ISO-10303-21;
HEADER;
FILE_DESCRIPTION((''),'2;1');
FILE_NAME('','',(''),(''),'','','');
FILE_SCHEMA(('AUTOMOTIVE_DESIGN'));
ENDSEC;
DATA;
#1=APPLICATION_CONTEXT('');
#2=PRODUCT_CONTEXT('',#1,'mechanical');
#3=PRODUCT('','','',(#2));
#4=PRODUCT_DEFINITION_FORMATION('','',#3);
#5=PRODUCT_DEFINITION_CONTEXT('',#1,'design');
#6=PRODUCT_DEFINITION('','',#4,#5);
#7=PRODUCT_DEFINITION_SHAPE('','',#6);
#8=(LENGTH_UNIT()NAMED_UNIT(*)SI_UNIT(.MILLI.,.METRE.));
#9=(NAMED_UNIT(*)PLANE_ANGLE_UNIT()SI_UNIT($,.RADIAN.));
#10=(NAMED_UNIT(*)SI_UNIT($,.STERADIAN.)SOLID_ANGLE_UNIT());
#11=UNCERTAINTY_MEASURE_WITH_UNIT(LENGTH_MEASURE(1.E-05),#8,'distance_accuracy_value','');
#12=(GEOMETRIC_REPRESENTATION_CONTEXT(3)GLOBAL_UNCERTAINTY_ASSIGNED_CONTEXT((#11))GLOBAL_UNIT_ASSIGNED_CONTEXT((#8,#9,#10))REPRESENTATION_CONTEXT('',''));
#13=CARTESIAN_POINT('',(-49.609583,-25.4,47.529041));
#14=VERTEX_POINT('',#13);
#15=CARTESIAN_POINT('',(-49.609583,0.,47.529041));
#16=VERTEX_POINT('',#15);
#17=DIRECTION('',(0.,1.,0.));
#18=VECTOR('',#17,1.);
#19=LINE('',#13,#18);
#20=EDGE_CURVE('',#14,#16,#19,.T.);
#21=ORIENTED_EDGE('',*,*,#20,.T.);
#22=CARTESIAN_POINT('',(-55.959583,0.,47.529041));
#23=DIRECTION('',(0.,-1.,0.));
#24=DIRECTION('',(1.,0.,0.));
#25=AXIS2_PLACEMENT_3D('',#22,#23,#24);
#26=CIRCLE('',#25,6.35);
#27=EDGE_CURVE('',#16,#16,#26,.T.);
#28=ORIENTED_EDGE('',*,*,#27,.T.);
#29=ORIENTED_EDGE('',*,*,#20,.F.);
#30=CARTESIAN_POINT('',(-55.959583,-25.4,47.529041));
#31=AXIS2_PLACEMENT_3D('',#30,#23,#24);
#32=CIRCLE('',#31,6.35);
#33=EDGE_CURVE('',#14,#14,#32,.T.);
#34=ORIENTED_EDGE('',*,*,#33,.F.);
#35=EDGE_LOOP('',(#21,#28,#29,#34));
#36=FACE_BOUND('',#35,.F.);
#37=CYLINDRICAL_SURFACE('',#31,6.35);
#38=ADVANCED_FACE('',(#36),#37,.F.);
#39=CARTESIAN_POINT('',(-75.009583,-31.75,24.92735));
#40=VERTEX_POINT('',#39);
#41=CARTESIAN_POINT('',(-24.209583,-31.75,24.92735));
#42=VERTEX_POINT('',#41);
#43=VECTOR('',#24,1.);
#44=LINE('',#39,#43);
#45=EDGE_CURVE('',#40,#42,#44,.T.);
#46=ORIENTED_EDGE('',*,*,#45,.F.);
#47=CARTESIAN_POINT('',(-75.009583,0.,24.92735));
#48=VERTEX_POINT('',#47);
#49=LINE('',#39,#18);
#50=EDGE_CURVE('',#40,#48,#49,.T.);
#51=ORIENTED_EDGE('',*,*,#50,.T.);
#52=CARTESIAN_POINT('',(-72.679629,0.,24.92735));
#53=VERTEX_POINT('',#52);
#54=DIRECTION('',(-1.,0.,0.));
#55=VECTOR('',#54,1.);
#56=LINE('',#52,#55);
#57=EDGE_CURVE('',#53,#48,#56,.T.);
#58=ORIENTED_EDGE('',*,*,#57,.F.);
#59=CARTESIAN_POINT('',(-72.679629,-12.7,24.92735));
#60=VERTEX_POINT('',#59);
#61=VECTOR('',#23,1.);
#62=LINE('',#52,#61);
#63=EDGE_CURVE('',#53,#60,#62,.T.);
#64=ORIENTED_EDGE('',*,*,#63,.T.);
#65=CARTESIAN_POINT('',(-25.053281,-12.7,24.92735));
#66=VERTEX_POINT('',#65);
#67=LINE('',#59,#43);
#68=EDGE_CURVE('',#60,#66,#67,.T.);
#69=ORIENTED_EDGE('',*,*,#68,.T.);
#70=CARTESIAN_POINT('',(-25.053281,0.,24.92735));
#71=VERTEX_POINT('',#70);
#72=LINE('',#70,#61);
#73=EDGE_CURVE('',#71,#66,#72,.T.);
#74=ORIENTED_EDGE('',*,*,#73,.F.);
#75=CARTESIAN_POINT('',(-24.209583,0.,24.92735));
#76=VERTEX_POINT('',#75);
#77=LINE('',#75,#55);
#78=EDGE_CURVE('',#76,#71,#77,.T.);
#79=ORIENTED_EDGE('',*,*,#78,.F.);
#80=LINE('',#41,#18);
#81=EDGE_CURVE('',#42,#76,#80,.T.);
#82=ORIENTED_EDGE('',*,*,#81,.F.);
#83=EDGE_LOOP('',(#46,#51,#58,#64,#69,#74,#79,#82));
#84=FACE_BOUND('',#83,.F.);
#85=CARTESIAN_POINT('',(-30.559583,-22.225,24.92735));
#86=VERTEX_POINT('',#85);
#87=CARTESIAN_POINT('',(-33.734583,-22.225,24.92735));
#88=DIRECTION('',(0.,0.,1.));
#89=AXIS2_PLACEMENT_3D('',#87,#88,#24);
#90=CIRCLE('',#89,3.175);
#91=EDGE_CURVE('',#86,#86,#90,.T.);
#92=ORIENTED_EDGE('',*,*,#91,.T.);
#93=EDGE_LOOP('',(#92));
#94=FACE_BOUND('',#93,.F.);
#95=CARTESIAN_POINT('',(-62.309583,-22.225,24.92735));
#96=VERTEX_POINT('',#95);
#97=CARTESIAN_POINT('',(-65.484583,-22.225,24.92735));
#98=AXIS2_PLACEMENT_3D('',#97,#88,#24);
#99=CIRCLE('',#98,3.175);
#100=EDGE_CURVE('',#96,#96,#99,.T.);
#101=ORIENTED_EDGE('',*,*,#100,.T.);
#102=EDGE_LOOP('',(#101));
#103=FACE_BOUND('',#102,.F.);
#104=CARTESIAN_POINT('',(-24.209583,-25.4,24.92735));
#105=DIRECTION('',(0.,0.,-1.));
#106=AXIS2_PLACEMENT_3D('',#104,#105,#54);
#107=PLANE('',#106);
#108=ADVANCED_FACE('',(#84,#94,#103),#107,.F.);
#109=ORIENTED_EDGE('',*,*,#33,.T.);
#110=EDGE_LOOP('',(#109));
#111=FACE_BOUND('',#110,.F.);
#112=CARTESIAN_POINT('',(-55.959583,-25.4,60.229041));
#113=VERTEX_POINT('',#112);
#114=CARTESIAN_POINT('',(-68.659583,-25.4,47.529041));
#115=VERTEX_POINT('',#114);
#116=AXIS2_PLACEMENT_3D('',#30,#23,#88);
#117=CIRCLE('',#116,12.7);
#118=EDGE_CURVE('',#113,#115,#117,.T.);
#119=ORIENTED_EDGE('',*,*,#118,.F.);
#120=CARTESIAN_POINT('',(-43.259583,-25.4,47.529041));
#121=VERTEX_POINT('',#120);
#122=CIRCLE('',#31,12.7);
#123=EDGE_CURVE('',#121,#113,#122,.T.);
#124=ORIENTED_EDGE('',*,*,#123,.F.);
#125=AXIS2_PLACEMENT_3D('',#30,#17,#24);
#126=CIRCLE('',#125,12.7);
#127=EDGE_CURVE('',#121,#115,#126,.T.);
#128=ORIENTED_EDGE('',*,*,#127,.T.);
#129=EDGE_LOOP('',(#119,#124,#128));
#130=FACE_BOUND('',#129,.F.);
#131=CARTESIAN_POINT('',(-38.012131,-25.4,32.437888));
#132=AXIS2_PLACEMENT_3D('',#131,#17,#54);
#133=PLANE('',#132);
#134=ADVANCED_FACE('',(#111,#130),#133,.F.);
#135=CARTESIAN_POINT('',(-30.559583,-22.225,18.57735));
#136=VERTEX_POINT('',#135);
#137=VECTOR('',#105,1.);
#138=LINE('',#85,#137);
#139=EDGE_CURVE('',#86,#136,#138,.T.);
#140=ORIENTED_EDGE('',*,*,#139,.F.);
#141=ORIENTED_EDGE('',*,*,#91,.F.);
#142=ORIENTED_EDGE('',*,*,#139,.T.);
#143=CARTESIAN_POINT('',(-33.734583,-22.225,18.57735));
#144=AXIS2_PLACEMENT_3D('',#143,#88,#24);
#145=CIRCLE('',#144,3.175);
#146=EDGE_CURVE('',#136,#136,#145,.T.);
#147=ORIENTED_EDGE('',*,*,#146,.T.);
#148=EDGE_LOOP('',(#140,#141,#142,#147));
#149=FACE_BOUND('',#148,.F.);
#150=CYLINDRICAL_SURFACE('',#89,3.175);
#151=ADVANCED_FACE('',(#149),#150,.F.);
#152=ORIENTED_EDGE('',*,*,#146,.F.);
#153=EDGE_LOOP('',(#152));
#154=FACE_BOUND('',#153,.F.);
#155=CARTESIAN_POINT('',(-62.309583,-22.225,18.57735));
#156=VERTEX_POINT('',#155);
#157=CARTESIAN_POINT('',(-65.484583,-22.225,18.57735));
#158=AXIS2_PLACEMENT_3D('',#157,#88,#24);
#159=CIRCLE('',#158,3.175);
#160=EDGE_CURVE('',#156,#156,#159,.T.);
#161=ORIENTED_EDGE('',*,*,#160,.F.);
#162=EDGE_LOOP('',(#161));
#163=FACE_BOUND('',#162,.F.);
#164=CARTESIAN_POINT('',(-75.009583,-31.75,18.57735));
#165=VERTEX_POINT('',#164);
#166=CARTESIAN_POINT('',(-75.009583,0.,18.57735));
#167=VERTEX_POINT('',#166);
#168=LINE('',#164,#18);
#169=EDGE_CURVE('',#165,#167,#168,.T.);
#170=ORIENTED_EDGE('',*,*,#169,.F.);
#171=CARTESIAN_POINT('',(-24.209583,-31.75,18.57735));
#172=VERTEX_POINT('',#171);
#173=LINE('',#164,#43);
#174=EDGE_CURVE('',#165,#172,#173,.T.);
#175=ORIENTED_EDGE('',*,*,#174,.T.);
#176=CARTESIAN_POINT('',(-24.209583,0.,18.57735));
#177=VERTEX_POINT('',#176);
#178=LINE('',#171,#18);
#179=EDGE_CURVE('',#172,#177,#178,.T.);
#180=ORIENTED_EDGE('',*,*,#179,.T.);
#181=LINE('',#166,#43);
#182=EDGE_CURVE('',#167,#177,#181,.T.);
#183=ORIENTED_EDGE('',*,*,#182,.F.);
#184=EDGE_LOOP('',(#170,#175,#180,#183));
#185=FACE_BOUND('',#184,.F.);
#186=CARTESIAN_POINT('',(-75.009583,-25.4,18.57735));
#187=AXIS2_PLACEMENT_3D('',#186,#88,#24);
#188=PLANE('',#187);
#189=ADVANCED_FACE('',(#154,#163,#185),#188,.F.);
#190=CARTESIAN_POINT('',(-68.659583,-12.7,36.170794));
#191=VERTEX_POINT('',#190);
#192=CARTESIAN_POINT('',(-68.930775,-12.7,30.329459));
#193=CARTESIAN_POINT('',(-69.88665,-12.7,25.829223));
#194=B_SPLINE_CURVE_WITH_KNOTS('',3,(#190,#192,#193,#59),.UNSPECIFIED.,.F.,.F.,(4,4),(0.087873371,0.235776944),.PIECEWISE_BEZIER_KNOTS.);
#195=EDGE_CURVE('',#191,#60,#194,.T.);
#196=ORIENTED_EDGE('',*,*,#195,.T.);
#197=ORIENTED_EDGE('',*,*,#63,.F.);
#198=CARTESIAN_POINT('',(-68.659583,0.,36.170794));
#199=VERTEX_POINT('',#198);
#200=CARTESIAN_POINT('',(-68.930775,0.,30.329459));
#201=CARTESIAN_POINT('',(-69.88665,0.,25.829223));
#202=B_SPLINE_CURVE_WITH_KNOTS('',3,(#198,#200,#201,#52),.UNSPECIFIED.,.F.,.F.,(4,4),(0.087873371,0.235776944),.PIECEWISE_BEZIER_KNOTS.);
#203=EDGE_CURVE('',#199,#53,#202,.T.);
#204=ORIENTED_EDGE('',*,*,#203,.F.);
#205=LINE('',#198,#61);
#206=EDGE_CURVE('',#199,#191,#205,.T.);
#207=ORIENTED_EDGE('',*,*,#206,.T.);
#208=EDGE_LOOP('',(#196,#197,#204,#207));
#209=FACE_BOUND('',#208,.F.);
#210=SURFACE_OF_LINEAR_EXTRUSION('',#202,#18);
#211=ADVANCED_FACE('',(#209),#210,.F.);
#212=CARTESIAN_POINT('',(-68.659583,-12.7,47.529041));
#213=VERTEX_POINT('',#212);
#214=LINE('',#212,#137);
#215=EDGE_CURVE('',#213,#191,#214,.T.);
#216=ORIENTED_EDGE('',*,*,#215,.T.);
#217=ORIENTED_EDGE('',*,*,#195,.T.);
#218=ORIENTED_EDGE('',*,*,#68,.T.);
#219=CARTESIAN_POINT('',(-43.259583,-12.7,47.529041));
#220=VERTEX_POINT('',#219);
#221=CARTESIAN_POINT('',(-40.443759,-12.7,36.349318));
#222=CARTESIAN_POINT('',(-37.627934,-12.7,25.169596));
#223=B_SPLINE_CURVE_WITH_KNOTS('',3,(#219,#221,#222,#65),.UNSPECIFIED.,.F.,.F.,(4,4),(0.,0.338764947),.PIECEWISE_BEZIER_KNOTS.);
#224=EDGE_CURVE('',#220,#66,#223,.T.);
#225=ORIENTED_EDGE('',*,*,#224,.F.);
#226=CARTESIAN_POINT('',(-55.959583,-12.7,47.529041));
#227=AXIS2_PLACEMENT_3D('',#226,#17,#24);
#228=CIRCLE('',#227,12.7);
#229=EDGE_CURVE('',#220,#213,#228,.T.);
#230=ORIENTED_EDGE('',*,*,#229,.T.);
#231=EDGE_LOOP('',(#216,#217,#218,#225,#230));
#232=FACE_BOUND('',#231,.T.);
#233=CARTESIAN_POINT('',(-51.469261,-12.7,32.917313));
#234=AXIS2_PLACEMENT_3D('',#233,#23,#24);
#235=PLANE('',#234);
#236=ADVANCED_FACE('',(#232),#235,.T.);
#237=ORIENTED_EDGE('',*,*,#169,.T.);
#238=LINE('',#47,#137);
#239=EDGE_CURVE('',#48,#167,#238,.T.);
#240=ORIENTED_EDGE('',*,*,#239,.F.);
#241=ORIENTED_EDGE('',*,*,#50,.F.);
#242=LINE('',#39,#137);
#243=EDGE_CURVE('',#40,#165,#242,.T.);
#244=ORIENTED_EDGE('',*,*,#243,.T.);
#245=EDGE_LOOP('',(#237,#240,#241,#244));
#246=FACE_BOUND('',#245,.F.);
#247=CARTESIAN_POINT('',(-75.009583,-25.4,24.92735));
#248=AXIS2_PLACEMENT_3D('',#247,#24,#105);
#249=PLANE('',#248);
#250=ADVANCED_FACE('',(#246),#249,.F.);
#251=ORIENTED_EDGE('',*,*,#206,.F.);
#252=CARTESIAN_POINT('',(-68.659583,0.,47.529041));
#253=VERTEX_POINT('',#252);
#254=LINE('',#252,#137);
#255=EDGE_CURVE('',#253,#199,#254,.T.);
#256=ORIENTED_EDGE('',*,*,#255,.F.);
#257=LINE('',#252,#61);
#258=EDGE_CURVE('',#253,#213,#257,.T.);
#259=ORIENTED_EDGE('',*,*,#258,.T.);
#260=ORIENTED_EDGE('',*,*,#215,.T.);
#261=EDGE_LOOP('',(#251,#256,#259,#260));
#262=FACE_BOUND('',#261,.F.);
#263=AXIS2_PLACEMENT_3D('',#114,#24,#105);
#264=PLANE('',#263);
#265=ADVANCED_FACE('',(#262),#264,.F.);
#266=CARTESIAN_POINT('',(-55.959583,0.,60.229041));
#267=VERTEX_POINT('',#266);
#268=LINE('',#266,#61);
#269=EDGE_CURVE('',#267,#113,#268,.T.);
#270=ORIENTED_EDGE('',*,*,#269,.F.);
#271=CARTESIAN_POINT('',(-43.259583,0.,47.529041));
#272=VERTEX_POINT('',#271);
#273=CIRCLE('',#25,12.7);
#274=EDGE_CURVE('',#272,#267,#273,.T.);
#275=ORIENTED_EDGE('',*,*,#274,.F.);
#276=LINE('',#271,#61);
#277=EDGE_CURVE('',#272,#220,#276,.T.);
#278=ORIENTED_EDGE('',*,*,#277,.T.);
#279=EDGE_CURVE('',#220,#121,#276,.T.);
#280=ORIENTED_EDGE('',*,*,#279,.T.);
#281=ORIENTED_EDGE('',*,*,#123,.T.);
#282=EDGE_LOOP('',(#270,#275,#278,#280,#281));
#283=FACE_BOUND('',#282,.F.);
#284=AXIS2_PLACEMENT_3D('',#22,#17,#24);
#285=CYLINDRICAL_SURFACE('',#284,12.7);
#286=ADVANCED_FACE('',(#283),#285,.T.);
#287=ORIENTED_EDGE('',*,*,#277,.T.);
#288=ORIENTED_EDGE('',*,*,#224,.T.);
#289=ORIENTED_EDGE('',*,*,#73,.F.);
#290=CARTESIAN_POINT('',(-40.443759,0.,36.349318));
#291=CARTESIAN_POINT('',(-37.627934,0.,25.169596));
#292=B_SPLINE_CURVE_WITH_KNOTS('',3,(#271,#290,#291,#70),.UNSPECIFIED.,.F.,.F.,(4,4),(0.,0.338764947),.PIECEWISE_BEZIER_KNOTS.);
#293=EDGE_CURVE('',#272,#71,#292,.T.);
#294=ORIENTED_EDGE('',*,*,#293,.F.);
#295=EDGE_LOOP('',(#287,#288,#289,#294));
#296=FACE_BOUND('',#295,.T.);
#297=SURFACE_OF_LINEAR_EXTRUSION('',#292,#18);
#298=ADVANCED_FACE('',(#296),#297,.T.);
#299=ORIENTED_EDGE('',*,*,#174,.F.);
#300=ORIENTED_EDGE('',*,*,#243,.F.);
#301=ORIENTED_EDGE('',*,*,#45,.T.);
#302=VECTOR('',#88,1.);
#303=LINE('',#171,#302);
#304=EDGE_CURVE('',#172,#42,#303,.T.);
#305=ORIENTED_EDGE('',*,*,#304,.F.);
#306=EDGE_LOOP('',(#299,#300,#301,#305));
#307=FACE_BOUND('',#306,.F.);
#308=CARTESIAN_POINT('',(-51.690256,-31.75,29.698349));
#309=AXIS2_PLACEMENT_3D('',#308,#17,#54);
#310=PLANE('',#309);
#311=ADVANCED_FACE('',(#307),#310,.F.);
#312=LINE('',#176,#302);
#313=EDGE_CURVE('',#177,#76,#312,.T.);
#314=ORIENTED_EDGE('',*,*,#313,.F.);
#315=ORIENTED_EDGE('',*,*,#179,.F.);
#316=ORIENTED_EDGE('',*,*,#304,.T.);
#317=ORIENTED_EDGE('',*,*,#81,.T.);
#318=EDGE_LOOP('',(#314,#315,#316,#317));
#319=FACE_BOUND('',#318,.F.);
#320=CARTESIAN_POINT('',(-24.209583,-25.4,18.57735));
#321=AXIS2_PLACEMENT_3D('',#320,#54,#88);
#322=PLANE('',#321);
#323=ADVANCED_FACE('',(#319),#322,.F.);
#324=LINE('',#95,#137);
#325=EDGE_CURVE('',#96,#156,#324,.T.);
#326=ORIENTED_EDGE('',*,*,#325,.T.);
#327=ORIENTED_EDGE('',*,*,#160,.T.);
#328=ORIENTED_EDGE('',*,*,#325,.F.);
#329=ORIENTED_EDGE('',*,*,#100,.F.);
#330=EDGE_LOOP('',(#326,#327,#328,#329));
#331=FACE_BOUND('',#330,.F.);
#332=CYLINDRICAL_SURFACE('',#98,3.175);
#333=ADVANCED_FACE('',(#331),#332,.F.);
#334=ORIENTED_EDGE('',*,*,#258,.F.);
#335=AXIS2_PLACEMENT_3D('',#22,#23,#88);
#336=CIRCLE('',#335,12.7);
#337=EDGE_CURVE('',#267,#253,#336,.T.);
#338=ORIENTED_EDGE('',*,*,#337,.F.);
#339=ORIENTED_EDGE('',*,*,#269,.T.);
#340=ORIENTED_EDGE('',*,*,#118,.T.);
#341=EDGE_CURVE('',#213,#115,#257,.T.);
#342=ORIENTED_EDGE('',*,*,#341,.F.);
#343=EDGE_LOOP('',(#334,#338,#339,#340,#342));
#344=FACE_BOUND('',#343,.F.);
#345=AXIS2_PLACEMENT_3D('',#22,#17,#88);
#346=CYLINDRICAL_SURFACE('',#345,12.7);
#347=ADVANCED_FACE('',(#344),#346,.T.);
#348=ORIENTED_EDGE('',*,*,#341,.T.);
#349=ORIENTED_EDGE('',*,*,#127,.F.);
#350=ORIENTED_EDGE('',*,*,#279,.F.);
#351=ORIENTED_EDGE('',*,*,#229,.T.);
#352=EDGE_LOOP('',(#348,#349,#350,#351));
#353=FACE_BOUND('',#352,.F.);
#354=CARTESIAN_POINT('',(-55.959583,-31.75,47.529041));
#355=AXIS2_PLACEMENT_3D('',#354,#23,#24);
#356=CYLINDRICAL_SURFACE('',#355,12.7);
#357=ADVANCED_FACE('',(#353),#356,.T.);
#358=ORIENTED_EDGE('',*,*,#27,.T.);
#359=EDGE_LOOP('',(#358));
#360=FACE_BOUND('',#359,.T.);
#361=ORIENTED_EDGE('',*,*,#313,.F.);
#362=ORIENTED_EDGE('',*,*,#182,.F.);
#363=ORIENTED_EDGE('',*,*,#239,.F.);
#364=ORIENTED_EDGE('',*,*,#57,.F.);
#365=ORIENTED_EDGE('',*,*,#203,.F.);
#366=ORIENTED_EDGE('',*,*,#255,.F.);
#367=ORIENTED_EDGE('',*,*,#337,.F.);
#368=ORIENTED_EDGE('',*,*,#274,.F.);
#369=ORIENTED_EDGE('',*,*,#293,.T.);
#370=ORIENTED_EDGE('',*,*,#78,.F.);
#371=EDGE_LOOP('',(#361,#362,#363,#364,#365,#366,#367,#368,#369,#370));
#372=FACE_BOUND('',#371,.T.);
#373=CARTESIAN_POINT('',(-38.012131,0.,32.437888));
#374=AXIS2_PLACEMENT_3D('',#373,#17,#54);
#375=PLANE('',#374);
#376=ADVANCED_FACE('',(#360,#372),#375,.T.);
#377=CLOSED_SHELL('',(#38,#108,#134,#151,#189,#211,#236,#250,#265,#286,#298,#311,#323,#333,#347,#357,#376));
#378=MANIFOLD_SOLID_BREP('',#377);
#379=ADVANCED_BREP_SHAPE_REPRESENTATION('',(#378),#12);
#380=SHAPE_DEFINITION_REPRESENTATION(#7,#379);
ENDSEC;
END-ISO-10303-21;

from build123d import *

# Parameters (mm, degrees)
F1_DEPTH = 25.4
F3_DEPTH = 6.35
F5_DEPTH = 19.05
F6_R     = 6.35
F7_DEPTH = 25.4010001
F8_R     = 3.175
F9_DEPTH = 6.3510001


with BuildPart() as f1:
    # F0 (on Front) → F1 (new body)
    with BuildSketch(Plane.XZ):
        with BuildLine():
            add(Edge.make_bspline(
                [(-43.2595827852, 47.5290406017), (-40.4437585235, 36.3493184584), (-37.6279342618, 25.1695963151), (-25.0532810608, 24.9273501791)],
                knots=[0, 0, 0, 0, 0.3387649469, 0.3387649469, 0.3387649469, 0.3387649469], degree=3))
            Line((-43.2595827852, 47.5290406017), (-43.2595827852, 24.9273501791))
            Line((-43.2595827852, 24.9273501791), (-25.0532810608, 24.9273501791))
        make_face()
        with BuildLine():
            Line((-24.2095827852, 24.9273501791), (-25.0532810608, 24.9273501791))
            add(Edge.make_bspline(
                [(-25.0532810608, 24.9273501791), (-24.776800624, 24.9220238837), (-24.495602442, 24.9219851311), (-24.2095827852, 24.9273501791)],
                knots=[0.3387649469, 0.3387649469, 0.3387649469, 0.3387649469, 0.3462134132, 0.3462134132, 0.3462134132, 0.3462134132], degree=3))
        make_face()
        with BuildLine():
            add(Edge.make_bspline(
                [(-72.6796290961, 24.9273501791), (-73.3463645358, 24.7120564737), (-74.1177900306, 24.7018207484), (-75.0095827852, 24.9273501791)],
                knots=[0.2357769442, 0.2357769442, 0.2357769442, 0.2357769442, 0.2710842466, 0.2710842466, 0.2710842466, 0.2710842466], degree=3))
            Line((-72.6796290961, 24.9273501791), (-75.0095827852, 24.9273501791))
        make_face()
        with BuildLine():
            Line((-68.6595827852, 24.9273501791), (-68.6595827852, 36.1707942024))
            add(Edge.make_bspline(
                [(-68.6595827852, 36.1707942024), (-68.9307748645, 30.329459196), (-69.8866500944, 25.8292233399), (-72.6796290961, 24.9273501791)],
                knots=[0.0878733709, 0.0878733709, 0.0878733709, 0.0878733709, 0.2357769442, 0.2357769442, 0.2357769442, 0.2357769442], degree=3))
            Line((-72.6796290961, 24.9273501791), (-68.6595827852, 24.9273501791))
        make_face()
        with BuildLine():
            ThreePointArc((-68.6490277589, 47.0113667108), (-68.6569437544, 47.2701498593), (-68.6595827852, 47.5290406017))
            Line((-68.6595827852, 47.5290406017), (-68.6595827852, 36.1707942024))
            add(Edge.make_bspline(
                [(-68.6490277589, 47.0113667108), (-68.5724341976, 43.2409261553), (-68.5055106798, 39.4894264591), (-68.6595827852, 36.1707942024)],
                knots=[0.0038450504, 0.0038450504, 0.0038450504, 0.0038450504, 0.0878733709, 0.0878733709, 0.0878733709, 0.0878733709], degree=3))
        make_face()
        with BuildLine():
            add(Edge.make_bspline(
                [(-68.6595827852, 47.5290406017), (-68.6560576938, 47.356469418), (-68.6525326024, 47.1838982344), (-68.6490277589, 47.0113667108)],
                knots=[0, 0, 0, 0, 0.0038450504, 0.0038450504, 0.0038450504, 0.0038450504], degree=3))
            ThreePointArc((-68.6595827852, 47.5290406017), (-68.6569437544, 47.2701498593), (-68.6490277589, 47.0113667108))
        make_face()
        with BuildLine():
            Line((-43.2595827852, 24.9273501791), (-43.2595827852, 47.5290406017))
            ThreePointArc((-43.2595827852, 47.5290406017), (-55.7006920428, 34.8316796324), (-68.6490277589, 47.0113667108))
            add(Edge.make_bspline(
                [(-68.6490277589, 47.0113667108), (-68.5724341976, 43.2409261553), (-68.5055106798, 39.4894264591), (-68.6595827852, 36.1707942024)],
                knots=[0.0038450504, 0.0038450504, 0.0038450504, 0.0038450504, 0.0878733709, 0.0878733709, 0.0878733709, 0.0878733709], degree=3))
            Line((-68.6595827852, 36.1707942024), (-68.6595827852, 24.9273501791))
            Line((-68.6595827852, 24.9273501791), (-72.6796290961, 24.9273501791))
            add(Edge.make_bspline(
                [(-72.6796290961, 24.9273501791), (-73.3463645358, 24.7120564737), (-74.1177900306, 24.7018207484), (-75.0095827852, 24.9273501791)],
                knots=[0.2357769442, 0.2357769442, 0.2357769442, 0.2357769442, 0.2710842466, 0.2710842466, 0.2710842466, 0.2710842466], degree=3))
            Line((-75.0095827852, 24.9273501791), (-75.0095827852, 18.5773501791))
            Line((-75.0095827852, 18.5773501791), (-24.2095827852, 18.5773501791))
            Line((-24.2095827852, 18.5773501791), (-24.2095827852, 24.9273501791))
            add(Edge.make_bspline(
                [(-25.0532810608, 24.9273501791), (-24.776800624, 24.9220238837), (-24.495602442, 24.9219851311), (-24.2095827852, 24.9273501791)],
                knots=[0.3387649469, 0.3387649469, 0.3387649469, 0.3387649469, 0.3462134132, 0.3462134132, 0.3462134132, 0.3462134132], degree=3))
            Line((-25.0532810608, 24.9273501791), (-43.2595827852, 24.9273501791))
        make_face()
        with BuildLine():
            ThreePointArc((-43.2595827852, 47.5290406017), (-46.9793266641, 56.5092967228), (-55.9595827852, 60.2290406017))
            ThreePointArc((-55.9595827852, 60.2290406017), (-64.9398389062, 56.5092967228), (-68.6595827852, 47.5290406017))
            add(Edge.make_bspline(
                [(-68.6595827852, 47.5290406017), (-68.6560576938, 47.356469418), (-68.6525326024, 47.1838982344), (-68.6490277589, 47.0113667108)],
                knots=[0, 0, 0, 0, 0.0038450504, 0.0038450504, 0.0038450504, 0.0038450504], degree=3))
            ThreePointArc((-68.6490277589, 47.0113667108), (-55.7006920428, 34.8316796324), (-43.2595827852, 47.5290406017))
        make_face()
    extrude(amount=F1_DEPTH)

    # F2 (on face) → F3 (join)
    with BuildSketch(Plane.XZ.offset(25.4)):
        with BuildLine():
            add(Edge.make_bspline(
                [(-43.2595827852, 47.5290406017), (-40.4437585235, 36.3493184584), (-37.6279342618, 25.1695963151), (-25.0532810608, 24.9273501791)],
                knots=[0, 0, 0, 0, 0.3387649469, 0.3387649469, 0.3387649469, 0.3387649469], degree=3))
            ThreePointArc((-43.2595827852, 47.5290406017), (-55.9595827852, 34.8290406017), (-68.6595827852, 47.5290406017))
            Line((-68.6595827852, 47.5290406017), (-68.6595827852, 36.1707942024))
            add(Edge.make_bspline(
                [(-68.6595827852, 36.1707942024), (-68.9307748645, 30.329459196), (-69.8866500944, 25.8292233399), (-72.6796290961, 24.9273501791)],
                knots=[0.0878733709, 0.0878733709, 0.0878733709, 0.0878733709, 0.2357769442, 0.2357769442, 0.2357769442, 0.2357769442], degree=3))
            Line((-72.6796290961, 24.9273501791), (-75.0095827852, 24.9273501791))
            Line((-75.0095827852, 24.9273501791), (-75.0095827852, 18.5773501791))
            Line((-75.0095827852, 18.5773501791), (-24.2095827852, 18.5773501791))
            Line((-24.2095827852, 18.5773501791), (-24.2095827852, 24.9273501791))
            Line((-24.2095827852, 24.9273501791), (-25.0532810608, 24.9273501791))
        make_face()
    extrude(amount=F3_DEPTH)

    # F4 (on face) → F5 (cut)
    with BuildSketch(Plane.XZ.offset(31.75)):
        with BuildLine():
            add(Edge.make_bspline(
                [(-68.6595827852, 36.1707942024), (-68.9307748645, 30.329459196), (-69.8866500944, 25.8292233399), (-72.6796290961, 24.9273501791)],
                knots=[0.0878733709, 0.0878733709, 0.0878733709, 0.0878733709, 0.2357769442, 0.2357769442, 0.2357769442, 0.2357769442], degree=3))
            Line((-72.6796290961, 24.9273501791), (-25.0532810608, 24.9273501791))
            add(Edge.make_bspline(
                [(-43.2595827852, 47.5290406017), (-40.4437585235, 36.3493184584), (-37.6279342618, 25.1695963151), (-25.0532810608, 24.9273501791)],
                knots=[0, 0, 0, 0, 0.3387649469, 0.3387649469, 0.3387649469, 0.3387649469], degree=3))
            ThreePointArc((-43.2595827852, 47.5290406017), (-55.9595827852, 34.8290406017), (-68.6595827852, 47.5290406017))
            Line((-68.6595827852, 47.5290406017), (-68.6595827852, 36.1707942024))
        make_face()
    extrude(amount=-F5_DEPTH, mode=Mode.SUBTRACT)

    # F6 (on face) → F7 (cut, through all)
    with BuildSketch(Plane.XZ.offset(25.4)):
        with Locations((-55.9595827852, 47.5290406017)):
            Circle(F6_R)
    extrude(amount=-F7_DEPTH, mode=Mode.SUBTRACT)

    # F8 (on face) → F9 (cut, through all)
    with BuildSketch(Plane.XY.offset(24.9273501791)):
        with Locations((-65.4845827852, -22.225)):
            Circle(F8_R)
        with Locations((-33.7345827852, -22.225)):
            Circle(F8_R)
    extrude(amount=-F9_DEPTH, mode=Mode.SUBTRACT)


solid = f1.part
